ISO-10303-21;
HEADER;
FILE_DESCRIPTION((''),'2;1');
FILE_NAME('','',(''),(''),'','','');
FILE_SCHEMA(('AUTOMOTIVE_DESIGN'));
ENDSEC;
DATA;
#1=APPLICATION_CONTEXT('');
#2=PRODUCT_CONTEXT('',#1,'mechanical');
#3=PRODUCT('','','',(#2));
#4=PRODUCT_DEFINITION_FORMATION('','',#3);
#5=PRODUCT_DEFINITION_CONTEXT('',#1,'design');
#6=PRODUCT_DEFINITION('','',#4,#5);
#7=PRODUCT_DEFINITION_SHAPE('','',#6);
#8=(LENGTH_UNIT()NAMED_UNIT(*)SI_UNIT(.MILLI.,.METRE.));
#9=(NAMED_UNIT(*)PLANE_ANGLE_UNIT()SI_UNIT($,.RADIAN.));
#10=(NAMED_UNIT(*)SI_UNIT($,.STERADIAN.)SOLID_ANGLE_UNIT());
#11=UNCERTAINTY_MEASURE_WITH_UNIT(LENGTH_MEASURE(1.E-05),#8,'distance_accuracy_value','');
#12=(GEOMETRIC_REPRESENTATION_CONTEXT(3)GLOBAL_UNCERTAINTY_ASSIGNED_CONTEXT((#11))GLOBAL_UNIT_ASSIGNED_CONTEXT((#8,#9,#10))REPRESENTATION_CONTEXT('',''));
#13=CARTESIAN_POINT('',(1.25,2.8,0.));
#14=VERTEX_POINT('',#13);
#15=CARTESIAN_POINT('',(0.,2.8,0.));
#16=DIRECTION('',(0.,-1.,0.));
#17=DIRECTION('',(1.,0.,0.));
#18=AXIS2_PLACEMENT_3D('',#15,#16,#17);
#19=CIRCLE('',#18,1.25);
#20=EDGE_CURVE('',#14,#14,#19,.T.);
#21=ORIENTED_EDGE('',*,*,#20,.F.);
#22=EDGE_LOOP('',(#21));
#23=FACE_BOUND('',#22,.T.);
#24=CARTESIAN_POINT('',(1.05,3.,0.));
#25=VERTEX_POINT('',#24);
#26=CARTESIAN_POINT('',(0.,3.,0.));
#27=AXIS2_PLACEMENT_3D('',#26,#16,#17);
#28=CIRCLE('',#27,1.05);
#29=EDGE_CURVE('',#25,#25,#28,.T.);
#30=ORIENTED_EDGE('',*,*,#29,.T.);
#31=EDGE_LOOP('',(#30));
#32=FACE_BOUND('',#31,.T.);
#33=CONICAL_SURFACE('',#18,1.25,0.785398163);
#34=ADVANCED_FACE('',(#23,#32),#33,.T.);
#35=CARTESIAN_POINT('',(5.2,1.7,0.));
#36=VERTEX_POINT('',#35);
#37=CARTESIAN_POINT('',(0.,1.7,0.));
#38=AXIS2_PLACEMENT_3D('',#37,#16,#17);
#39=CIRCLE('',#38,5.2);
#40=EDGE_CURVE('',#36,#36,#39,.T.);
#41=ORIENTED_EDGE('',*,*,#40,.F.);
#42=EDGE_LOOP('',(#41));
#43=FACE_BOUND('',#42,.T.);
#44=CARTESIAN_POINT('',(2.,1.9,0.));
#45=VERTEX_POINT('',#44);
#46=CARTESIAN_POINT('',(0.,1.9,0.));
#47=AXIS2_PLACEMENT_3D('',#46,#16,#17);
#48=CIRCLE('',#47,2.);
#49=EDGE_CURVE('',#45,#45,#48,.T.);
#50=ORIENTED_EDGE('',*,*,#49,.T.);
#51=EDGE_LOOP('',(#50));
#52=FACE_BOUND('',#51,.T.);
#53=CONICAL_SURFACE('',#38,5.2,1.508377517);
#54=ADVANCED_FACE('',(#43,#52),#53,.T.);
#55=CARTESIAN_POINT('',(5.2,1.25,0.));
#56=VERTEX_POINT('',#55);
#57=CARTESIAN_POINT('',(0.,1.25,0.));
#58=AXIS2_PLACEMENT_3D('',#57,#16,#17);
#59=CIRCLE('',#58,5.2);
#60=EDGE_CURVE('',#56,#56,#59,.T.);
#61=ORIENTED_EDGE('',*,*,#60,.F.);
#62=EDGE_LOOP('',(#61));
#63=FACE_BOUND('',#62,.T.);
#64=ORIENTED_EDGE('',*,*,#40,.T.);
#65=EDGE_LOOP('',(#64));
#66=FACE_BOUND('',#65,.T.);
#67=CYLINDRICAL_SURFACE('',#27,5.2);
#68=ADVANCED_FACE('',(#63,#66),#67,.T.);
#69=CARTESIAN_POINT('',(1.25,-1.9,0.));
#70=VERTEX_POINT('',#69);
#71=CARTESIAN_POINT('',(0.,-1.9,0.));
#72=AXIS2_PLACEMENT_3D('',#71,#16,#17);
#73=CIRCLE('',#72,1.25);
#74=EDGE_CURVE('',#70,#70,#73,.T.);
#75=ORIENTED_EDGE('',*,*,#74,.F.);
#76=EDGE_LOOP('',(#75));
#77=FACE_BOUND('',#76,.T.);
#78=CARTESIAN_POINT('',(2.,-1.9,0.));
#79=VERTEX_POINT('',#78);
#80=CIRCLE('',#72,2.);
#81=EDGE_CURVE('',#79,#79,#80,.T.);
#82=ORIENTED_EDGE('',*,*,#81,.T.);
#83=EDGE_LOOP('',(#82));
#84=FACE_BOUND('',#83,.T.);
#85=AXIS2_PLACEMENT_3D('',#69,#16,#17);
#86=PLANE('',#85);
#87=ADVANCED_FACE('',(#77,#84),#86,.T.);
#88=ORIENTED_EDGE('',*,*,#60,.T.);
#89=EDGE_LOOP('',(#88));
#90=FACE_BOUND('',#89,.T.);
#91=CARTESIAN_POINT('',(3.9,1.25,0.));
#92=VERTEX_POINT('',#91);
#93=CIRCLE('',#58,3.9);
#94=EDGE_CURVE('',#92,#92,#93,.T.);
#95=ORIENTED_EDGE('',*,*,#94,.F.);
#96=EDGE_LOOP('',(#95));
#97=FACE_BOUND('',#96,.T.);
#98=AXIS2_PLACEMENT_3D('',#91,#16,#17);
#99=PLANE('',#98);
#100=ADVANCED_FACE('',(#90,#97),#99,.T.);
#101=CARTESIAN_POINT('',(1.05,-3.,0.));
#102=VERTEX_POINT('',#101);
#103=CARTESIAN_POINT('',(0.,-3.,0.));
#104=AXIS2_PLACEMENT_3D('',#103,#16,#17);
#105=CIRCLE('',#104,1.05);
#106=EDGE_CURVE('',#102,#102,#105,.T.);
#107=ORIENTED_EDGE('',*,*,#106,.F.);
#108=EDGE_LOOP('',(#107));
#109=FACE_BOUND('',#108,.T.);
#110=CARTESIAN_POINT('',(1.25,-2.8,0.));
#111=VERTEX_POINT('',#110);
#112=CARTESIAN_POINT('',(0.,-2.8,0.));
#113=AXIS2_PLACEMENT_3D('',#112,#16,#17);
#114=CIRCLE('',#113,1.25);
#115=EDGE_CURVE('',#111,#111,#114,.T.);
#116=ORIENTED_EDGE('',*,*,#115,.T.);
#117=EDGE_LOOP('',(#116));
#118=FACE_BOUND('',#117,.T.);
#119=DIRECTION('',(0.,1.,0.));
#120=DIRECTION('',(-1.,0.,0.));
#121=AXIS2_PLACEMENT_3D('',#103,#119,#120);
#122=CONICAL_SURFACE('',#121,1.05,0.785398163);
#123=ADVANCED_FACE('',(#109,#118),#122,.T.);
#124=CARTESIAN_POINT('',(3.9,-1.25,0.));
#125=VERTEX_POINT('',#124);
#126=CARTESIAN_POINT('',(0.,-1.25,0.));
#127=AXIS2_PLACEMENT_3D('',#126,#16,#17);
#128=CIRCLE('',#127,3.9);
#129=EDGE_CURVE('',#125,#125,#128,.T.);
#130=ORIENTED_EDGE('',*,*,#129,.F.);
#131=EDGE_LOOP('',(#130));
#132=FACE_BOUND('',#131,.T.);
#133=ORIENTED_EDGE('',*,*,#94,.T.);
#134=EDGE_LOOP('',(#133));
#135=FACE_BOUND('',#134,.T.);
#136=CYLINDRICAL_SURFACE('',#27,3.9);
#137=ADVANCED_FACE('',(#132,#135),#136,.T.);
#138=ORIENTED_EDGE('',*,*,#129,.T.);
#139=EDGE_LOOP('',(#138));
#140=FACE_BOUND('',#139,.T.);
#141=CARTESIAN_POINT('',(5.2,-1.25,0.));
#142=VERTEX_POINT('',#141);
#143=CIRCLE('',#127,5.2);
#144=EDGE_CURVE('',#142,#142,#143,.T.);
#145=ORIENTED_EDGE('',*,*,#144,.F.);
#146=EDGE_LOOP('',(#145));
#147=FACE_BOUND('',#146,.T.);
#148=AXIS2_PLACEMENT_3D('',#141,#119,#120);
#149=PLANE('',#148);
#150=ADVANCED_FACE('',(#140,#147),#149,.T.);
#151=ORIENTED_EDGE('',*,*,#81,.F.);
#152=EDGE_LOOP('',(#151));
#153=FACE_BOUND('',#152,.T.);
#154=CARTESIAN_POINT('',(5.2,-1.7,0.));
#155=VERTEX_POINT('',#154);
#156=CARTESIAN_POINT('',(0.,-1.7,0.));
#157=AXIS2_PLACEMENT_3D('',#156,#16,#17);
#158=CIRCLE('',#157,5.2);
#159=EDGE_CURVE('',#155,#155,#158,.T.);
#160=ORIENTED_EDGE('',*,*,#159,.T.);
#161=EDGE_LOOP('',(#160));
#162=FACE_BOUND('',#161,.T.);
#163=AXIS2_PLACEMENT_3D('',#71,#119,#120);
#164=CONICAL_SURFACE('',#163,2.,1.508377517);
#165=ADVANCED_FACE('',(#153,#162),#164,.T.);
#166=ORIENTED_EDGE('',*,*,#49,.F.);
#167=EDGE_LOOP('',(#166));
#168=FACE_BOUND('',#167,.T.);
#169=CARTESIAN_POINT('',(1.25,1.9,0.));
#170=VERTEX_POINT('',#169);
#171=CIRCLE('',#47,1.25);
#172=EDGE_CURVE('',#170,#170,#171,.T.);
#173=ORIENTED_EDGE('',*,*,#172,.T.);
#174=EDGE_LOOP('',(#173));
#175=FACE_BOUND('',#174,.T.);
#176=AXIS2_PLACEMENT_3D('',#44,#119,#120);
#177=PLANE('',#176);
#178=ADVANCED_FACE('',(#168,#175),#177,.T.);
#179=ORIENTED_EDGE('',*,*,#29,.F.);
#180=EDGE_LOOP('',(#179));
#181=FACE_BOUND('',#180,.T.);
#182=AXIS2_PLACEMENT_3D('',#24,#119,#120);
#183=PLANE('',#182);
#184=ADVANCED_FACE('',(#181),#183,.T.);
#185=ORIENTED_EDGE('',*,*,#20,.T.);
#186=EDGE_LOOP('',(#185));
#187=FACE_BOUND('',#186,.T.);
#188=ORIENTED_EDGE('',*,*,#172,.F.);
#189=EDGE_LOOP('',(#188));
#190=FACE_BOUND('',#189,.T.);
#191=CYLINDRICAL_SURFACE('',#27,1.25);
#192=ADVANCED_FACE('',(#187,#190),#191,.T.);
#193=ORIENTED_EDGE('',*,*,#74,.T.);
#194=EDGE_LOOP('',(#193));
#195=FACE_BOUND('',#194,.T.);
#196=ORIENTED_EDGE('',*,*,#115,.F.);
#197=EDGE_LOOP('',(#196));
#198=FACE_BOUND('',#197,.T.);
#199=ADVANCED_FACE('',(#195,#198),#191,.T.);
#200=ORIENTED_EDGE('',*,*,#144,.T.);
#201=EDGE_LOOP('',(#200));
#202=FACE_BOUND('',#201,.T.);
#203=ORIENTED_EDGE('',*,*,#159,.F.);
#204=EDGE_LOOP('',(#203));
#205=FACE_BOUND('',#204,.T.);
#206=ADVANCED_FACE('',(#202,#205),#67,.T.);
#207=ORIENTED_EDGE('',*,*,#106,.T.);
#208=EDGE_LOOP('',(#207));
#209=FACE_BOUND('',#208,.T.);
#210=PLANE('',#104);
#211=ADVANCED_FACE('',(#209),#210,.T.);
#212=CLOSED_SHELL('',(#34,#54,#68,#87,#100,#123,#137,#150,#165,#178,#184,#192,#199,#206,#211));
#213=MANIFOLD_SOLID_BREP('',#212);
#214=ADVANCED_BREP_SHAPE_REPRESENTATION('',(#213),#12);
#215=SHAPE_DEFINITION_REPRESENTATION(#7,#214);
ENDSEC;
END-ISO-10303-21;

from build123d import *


with BuildPart() as part:
    # Sketch1 → Revolve1 (revolve)
    with BuildSketch(Plane.XY):
        Polygon((1.05, 3), (0, 3), (0, -3), (1.05, -3), (1.25, -2.8), (1.25, -1.9), (2, -1.9), (5.2, -1.7), (5.2, -1.25), (3.9, -1.25), (3.9, 1.25), (5.2, 1.25), (5.2, 1.7), (2, 1.9), (1.25, 1.9), (1.25, 2.8), align=None)
    revolve(axis=Axis((0, 3, 0), (0, -1, 0)))


solid = part.part
